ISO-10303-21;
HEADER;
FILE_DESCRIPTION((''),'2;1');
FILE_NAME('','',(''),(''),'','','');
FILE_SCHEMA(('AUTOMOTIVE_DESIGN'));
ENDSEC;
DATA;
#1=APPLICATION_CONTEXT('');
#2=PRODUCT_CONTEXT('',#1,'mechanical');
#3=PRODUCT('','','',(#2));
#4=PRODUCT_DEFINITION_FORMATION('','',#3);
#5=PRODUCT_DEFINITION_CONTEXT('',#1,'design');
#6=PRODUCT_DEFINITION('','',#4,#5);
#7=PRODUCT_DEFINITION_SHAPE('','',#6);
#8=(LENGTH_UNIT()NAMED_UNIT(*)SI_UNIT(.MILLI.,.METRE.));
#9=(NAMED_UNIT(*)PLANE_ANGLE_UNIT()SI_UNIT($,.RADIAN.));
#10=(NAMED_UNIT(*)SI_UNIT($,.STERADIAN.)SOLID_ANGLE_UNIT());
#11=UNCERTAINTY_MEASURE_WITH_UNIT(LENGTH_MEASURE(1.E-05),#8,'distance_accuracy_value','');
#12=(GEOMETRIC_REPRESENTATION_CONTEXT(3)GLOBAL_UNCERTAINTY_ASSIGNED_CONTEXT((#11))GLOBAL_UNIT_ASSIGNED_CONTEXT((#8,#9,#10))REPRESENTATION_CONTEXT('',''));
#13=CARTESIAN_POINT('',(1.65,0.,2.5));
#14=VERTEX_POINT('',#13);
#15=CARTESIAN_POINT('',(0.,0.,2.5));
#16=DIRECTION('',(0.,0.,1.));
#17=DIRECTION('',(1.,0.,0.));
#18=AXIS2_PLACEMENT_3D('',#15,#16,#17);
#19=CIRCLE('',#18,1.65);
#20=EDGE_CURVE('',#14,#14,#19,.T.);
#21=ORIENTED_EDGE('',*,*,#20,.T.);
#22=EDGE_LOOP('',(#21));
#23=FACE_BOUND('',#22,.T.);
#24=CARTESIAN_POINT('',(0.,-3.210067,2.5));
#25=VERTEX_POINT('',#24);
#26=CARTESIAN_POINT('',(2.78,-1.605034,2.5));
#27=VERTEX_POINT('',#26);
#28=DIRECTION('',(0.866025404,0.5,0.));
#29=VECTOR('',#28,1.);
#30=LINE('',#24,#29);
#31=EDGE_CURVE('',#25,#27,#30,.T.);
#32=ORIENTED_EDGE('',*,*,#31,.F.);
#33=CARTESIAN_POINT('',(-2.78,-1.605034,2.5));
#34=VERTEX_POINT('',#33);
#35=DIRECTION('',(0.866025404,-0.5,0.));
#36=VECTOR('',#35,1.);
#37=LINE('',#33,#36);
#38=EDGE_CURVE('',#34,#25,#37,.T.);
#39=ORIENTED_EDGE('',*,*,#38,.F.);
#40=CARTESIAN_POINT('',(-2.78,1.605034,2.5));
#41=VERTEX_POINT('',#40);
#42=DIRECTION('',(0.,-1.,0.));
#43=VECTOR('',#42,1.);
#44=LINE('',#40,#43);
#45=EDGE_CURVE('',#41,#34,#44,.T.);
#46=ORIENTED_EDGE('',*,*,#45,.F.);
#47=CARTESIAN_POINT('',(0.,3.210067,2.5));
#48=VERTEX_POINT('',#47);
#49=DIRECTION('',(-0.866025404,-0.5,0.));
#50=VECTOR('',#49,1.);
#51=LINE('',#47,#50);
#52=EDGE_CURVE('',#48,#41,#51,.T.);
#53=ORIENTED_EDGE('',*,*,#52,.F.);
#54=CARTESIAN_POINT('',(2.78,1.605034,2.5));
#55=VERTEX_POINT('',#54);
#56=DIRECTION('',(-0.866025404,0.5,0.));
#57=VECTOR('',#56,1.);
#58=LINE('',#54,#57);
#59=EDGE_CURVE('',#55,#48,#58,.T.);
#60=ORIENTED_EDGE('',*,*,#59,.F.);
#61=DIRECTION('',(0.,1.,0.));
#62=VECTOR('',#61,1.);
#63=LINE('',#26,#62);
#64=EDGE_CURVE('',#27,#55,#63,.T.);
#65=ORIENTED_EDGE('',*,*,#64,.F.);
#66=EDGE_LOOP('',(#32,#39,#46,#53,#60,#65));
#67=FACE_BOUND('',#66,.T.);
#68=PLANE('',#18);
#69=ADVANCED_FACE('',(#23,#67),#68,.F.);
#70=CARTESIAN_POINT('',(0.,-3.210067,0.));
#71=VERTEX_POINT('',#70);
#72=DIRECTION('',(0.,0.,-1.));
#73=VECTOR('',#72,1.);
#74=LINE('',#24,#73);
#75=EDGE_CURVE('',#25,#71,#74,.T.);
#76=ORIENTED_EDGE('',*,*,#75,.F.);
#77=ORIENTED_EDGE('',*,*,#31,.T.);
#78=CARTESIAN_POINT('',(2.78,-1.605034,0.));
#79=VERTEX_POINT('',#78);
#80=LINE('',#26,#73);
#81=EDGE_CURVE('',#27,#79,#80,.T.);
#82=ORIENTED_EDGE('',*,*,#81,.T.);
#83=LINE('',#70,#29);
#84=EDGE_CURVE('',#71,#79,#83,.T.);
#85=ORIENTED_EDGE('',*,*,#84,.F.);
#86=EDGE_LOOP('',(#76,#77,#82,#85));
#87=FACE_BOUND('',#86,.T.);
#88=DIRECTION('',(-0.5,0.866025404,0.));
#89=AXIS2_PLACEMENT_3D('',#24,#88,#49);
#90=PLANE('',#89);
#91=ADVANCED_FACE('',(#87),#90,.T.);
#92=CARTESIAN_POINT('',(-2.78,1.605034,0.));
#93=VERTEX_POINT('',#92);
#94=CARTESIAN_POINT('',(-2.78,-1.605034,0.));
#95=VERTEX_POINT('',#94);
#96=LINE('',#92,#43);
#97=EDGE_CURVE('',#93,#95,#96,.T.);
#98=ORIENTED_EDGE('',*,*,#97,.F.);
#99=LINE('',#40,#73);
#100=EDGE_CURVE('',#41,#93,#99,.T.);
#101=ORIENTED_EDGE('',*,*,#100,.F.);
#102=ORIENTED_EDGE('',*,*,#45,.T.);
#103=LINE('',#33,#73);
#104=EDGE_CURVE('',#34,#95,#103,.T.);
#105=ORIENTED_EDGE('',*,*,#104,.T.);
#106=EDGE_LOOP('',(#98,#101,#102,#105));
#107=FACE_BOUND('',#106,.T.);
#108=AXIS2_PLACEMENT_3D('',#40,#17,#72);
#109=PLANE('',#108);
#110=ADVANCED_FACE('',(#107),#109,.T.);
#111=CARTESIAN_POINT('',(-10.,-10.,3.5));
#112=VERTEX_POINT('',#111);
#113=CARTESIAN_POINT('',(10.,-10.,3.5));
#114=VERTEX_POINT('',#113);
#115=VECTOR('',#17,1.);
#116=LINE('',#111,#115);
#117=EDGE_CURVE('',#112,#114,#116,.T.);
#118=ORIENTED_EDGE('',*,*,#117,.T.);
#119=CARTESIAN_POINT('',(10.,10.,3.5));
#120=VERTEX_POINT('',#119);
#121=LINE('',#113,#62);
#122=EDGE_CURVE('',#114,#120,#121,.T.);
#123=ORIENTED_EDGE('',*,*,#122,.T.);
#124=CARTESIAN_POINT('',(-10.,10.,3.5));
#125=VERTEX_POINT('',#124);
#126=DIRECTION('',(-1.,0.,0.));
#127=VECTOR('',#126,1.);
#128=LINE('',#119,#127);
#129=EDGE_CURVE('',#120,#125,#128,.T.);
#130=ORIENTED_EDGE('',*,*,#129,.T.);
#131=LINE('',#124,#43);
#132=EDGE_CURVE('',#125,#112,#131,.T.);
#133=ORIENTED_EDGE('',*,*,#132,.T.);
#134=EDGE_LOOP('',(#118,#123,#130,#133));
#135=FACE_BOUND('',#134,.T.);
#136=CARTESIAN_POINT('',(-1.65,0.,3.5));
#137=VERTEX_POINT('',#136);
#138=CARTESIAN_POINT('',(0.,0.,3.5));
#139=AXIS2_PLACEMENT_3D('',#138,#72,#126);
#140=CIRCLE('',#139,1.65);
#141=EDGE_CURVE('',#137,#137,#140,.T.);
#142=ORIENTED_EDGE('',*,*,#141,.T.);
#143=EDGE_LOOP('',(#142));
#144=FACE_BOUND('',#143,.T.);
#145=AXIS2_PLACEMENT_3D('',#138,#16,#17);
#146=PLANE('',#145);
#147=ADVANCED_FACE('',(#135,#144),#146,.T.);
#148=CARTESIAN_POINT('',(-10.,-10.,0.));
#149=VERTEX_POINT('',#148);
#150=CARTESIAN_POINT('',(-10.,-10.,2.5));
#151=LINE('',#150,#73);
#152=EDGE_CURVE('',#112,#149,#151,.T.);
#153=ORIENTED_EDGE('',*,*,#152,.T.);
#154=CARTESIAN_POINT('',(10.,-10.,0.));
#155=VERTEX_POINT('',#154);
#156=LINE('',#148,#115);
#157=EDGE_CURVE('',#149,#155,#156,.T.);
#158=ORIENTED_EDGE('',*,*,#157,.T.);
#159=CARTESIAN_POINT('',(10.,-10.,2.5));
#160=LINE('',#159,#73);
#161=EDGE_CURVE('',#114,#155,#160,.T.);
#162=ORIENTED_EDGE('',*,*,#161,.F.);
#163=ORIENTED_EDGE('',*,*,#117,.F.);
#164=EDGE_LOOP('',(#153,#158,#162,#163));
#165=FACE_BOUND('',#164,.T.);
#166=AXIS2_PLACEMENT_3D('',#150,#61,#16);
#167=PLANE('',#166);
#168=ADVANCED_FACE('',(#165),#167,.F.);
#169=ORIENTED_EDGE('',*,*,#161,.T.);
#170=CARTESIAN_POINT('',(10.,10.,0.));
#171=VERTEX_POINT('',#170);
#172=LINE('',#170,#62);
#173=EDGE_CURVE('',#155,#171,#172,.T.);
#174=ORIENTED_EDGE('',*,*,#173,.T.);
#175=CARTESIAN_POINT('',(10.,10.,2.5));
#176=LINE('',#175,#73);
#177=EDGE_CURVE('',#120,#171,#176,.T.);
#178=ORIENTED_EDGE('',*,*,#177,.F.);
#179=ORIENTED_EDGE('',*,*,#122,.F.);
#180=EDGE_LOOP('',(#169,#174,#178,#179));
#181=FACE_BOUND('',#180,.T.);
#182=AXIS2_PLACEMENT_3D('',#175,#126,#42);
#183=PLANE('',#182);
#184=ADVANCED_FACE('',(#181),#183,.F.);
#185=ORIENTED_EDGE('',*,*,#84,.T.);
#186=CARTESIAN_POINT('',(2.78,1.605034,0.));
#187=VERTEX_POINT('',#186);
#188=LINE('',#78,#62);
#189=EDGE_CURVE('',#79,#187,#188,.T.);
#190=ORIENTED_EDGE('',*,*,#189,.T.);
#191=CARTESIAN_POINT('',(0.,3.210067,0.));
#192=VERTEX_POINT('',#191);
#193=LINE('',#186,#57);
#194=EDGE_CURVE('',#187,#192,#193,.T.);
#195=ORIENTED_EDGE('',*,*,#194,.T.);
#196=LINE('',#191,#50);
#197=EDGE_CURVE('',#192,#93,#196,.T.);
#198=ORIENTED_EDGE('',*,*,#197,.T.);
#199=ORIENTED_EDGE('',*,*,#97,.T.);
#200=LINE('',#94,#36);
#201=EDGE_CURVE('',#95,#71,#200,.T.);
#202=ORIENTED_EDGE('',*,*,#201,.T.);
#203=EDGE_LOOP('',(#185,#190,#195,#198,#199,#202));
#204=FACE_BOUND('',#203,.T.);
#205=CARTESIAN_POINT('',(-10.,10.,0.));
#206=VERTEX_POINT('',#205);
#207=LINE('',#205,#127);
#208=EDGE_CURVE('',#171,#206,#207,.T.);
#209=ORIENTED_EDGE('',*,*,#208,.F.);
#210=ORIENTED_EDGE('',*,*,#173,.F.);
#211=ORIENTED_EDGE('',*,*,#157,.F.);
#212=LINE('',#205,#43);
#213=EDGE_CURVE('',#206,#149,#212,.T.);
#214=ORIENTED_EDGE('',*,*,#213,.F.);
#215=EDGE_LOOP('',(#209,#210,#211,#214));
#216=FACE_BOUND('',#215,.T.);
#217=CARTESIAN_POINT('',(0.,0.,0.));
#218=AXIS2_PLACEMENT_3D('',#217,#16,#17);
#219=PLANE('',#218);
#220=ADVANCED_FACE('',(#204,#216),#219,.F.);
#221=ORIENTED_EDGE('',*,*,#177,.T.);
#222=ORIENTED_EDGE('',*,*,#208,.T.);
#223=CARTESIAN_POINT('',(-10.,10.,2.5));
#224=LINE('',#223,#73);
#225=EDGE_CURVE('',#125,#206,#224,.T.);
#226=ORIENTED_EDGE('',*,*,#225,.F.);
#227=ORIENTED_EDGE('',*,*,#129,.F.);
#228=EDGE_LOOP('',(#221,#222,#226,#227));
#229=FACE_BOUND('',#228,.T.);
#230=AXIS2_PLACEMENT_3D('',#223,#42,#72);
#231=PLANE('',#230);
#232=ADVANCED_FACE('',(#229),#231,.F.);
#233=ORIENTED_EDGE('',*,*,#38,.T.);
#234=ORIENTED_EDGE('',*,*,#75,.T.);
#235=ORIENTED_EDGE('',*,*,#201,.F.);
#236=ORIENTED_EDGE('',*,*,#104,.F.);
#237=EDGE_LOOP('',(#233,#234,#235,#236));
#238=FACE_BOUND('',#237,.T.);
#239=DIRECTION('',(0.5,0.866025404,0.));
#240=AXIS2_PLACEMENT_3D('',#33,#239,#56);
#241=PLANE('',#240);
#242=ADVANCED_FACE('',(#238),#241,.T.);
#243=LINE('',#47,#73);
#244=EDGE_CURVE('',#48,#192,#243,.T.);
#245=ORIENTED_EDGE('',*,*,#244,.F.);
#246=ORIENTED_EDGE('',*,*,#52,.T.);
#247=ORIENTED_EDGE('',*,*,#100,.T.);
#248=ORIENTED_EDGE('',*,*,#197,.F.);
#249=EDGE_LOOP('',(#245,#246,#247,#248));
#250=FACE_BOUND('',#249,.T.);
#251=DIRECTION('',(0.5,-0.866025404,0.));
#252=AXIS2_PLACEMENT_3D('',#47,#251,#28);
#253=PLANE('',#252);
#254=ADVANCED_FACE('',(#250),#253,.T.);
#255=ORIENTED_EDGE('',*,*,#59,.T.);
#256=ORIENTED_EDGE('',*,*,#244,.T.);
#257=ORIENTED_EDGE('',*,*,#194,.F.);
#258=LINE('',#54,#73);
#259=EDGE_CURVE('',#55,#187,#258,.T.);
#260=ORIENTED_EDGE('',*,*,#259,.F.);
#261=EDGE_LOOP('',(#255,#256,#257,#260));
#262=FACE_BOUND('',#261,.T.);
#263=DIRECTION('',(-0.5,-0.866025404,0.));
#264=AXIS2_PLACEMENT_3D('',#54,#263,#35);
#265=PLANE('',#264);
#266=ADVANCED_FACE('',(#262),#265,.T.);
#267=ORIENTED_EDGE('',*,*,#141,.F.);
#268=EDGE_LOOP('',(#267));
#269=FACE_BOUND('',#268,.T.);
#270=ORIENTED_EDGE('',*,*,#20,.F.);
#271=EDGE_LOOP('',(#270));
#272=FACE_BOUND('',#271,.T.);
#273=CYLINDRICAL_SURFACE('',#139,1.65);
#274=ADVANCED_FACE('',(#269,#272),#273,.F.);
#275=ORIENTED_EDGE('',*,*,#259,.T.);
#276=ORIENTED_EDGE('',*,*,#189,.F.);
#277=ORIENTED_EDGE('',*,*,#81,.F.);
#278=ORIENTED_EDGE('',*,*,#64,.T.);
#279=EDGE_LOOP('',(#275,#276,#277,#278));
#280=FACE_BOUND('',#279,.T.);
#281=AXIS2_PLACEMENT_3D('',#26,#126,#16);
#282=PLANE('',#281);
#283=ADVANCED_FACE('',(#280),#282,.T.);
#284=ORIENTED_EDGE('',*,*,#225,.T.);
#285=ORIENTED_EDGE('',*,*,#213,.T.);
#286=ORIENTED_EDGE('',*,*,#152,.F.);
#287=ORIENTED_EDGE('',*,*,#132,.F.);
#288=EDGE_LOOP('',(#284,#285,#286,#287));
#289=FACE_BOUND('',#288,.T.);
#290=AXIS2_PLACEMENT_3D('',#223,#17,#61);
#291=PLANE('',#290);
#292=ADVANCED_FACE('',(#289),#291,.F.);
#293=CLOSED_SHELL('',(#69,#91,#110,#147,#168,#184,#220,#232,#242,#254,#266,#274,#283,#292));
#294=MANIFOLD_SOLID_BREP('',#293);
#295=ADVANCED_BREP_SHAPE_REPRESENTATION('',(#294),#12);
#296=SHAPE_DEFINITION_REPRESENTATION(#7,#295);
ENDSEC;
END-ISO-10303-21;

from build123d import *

# Parameters (mm, degrees)
SKETCH1_W           = 20
SKETCH1_H           = 20
BOSS_EXTRUDE1_DEPTH = 2.5
SKETCH2_W           = 20
SKETCH2_H           = 20
BOSS_EXTRUDE2_DEPTH = 1
SKETCH3_R           = 1.65
CUT_EXTRUDE1_DEPTH  = 4.5


with BuildPart() as part:
    # Sketch1 → Boss-Extrude1 (new body)
    with BuildSketch(Plane.XY):
        Rectangle(SKETCH1_W, SKETCH1_H)
        Polygon((0, -3.210067497), (2.78, -1.605033748), (2.78, 1.605033748), (0, 3.210067497), (-2.78, 1.605033748), (-2.78, -1.605033748), align=None, mode=Mode.SUBTRACT)
    extrude(amount=BOSS_EXTRUDE1_DEPTH)

    # Sketch2 → Boss-Extrude2 (add)
    with BuildSketch(Plane.XY.offset(2.5)):
        Rectangle(SKETCH2_W, SKETCH2_H)
    extrude(amount=BOSS_EXTRUDE2_DEPTH)

    # Sketch3 → Cut-Extrude1 (cut, through all)
    with BuildSketch(Plane(origin=(0, 0, 0), x_dir=(-1, 0, 0), z_dir=(0, 0, -1))):
        Circle(SKETCH3_R)
    extrude(amount=-CUT_EXTRUDE1_DEPTH, mode=Mode.SUBTRACT)


solid = part.part
